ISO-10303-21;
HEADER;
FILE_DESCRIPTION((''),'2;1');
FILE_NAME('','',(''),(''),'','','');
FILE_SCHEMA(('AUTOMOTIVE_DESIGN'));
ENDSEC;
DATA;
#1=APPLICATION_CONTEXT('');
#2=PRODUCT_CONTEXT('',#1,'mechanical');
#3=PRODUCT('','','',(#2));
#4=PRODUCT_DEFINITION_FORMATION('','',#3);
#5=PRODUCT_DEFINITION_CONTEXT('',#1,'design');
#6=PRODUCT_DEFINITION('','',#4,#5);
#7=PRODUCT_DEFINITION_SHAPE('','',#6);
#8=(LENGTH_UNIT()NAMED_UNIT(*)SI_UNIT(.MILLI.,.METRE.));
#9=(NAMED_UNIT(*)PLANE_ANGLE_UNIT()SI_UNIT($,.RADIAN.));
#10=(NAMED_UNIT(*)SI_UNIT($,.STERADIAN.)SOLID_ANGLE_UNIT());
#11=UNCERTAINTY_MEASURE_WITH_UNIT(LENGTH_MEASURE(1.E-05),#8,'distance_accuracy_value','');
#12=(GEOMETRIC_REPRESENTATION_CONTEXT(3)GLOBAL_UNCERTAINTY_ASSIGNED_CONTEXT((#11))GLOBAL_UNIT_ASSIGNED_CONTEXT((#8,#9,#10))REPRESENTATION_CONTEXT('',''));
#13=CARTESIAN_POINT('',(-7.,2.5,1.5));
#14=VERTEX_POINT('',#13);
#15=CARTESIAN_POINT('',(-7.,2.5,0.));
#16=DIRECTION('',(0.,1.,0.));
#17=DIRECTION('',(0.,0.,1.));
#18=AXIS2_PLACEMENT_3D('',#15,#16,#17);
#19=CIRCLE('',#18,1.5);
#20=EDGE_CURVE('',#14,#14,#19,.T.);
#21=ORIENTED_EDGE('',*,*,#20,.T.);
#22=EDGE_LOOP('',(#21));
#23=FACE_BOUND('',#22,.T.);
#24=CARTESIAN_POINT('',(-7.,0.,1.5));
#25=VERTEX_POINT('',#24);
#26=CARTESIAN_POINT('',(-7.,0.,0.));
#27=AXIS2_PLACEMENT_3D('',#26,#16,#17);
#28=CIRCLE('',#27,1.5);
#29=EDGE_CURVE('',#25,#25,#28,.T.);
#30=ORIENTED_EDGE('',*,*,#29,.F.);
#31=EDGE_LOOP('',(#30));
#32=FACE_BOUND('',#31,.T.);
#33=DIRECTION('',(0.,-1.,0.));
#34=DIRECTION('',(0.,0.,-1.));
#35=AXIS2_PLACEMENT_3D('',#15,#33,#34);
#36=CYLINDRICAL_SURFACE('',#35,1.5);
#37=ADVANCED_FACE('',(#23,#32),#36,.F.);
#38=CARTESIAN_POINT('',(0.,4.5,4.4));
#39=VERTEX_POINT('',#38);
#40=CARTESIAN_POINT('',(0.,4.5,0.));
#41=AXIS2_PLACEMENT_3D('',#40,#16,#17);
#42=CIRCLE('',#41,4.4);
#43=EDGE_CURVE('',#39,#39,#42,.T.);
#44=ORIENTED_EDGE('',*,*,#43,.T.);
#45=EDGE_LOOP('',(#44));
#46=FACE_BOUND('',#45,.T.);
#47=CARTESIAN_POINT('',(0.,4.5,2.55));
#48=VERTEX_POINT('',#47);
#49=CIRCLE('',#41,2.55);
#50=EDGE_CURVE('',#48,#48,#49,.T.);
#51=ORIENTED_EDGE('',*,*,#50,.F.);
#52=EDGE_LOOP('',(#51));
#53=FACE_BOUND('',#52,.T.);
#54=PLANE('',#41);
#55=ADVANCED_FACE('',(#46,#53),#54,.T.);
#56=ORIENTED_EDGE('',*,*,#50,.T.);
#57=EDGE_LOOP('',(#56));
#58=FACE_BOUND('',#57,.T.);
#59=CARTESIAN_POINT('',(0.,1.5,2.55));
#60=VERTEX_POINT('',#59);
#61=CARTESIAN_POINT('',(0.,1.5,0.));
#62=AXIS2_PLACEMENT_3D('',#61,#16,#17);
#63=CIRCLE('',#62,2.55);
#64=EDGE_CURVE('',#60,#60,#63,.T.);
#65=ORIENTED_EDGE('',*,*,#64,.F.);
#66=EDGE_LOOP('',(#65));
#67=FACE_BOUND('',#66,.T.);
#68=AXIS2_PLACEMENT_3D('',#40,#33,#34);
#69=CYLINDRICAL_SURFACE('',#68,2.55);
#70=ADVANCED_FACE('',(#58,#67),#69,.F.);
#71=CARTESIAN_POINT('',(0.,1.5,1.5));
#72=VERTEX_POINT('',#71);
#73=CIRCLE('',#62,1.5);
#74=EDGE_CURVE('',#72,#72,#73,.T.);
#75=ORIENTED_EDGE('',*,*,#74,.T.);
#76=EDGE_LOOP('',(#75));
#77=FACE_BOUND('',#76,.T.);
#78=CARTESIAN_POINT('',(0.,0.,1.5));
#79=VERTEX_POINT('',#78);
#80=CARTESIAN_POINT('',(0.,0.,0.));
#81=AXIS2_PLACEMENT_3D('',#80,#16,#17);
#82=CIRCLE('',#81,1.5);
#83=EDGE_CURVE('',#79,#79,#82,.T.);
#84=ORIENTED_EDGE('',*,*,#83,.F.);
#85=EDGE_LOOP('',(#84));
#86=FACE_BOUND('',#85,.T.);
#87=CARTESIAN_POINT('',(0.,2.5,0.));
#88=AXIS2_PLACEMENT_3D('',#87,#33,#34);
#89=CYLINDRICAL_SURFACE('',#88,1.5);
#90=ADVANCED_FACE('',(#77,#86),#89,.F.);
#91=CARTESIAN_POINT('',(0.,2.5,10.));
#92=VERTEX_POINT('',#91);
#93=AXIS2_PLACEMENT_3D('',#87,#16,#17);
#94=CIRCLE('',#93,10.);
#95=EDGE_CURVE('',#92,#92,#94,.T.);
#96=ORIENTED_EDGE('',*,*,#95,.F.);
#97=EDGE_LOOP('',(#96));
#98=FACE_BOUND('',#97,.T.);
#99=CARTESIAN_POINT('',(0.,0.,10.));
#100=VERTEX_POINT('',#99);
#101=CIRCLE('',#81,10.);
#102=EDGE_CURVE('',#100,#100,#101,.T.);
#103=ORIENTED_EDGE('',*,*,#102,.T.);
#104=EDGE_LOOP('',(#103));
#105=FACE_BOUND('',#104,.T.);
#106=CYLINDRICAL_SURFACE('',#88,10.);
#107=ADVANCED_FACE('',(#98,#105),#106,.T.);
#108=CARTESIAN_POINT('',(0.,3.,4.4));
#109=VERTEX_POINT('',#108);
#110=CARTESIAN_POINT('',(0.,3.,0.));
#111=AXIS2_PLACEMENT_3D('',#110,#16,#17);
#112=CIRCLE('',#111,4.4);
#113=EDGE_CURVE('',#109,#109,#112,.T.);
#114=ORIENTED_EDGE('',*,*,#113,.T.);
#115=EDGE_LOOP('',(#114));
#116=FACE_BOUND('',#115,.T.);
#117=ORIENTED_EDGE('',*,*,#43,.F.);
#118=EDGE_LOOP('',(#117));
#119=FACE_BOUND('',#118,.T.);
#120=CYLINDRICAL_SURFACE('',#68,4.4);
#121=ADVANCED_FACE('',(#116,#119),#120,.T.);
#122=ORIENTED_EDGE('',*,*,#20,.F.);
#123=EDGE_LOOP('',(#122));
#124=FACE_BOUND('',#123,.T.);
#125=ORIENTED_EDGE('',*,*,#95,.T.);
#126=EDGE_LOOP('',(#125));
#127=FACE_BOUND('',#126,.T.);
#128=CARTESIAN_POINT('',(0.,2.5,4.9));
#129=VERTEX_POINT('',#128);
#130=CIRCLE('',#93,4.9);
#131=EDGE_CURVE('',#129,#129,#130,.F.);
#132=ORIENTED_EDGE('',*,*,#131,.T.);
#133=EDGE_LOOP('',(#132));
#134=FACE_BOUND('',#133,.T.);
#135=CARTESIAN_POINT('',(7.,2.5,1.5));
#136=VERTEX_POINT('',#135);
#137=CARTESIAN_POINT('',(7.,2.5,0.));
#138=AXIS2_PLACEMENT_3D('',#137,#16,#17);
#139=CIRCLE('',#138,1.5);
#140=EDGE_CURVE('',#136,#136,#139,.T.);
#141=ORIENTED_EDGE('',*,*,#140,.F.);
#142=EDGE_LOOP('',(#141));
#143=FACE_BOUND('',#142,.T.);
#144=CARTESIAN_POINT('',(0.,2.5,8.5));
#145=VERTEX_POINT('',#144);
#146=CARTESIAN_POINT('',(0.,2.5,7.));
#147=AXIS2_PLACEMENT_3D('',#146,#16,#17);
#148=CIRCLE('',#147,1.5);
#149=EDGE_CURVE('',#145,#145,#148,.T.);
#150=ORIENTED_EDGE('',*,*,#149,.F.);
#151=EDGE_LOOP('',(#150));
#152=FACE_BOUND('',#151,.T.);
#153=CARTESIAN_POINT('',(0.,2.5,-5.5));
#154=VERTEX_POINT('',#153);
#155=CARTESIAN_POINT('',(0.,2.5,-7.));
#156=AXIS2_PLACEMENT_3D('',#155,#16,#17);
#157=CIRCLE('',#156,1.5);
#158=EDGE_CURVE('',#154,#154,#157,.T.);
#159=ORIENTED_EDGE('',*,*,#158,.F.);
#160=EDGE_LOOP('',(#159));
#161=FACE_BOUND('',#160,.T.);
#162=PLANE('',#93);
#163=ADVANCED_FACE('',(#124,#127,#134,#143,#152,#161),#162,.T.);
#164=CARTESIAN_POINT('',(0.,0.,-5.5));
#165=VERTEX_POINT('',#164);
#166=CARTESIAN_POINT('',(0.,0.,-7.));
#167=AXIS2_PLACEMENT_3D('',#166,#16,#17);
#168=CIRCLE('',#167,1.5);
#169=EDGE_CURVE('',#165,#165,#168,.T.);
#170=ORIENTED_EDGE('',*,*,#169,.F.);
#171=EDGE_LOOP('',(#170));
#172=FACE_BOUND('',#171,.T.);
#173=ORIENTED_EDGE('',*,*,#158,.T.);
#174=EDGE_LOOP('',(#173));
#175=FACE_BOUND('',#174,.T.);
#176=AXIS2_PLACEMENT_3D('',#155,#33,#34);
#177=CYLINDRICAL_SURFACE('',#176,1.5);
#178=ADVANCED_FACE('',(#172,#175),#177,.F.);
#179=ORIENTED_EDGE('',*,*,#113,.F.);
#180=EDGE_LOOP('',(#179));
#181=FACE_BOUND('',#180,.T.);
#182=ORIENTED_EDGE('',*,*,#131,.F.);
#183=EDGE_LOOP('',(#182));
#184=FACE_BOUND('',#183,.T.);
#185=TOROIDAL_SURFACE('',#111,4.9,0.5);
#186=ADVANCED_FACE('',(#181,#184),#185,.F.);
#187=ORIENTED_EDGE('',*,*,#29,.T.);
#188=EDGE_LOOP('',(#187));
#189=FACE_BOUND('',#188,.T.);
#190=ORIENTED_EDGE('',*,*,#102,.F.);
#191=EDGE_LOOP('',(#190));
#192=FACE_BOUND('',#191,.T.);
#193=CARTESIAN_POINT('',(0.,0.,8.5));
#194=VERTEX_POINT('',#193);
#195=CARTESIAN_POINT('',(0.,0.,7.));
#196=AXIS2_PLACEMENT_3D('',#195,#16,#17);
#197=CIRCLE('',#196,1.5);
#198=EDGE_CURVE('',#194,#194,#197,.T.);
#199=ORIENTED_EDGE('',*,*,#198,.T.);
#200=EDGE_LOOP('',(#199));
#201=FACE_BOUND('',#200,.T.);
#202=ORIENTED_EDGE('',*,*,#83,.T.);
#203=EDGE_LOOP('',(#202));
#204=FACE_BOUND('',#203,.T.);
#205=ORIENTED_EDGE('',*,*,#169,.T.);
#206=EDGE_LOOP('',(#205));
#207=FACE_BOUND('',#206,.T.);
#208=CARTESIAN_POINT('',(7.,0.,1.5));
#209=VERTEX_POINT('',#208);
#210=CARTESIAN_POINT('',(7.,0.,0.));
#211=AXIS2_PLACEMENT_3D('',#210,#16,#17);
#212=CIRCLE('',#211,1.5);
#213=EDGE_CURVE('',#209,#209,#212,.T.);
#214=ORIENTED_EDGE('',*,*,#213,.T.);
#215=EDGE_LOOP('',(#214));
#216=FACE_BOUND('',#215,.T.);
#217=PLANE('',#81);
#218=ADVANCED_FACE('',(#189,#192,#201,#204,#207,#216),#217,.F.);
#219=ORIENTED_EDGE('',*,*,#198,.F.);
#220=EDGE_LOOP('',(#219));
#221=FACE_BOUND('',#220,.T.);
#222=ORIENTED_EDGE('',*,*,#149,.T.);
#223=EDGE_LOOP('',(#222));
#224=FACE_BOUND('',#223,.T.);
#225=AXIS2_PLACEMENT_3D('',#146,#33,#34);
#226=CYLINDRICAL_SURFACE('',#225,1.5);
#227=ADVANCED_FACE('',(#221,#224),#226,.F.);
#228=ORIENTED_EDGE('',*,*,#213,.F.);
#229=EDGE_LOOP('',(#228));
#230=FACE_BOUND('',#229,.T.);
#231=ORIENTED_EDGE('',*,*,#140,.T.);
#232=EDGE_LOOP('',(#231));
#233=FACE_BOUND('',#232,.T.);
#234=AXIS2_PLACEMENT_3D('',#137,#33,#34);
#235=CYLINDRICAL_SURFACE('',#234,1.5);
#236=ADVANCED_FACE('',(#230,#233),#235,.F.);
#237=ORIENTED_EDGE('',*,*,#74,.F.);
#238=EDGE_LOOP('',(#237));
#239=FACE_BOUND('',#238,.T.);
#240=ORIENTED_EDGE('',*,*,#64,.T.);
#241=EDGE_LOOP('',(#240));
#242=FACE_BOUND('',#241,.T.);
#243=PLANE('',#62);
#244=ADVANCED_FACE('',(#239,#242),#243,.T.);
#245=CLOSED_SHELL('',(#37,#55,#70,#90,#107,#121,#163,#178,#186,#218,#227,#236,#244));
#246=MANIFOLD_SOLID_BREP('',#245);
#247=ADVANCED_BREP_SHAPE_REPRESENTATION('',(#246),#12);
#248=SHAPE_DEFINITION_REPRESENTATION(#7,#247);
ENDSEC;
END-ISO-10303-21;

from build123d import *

# Parameters (mm, degrees)
SKETCH_1_R          = 10
SKETCH_1_R_2        = 1.5
EXTRUDE_1_DEPTH     = 2.5
SKETCH_2_R          = 4.4
SKETCH_2_R_2        = 2.55
EXTRUDE_2_DEPTH     = 2
FILLET_1_R          = 0.5
CUT_EXTRUDE_START   = -1
SKETCH_3_R          = 2.55
CUT_EXTRUDE_1_DEPTH = 1


with BuildPart() as part:
    # 草图1 → 凸台-拉伸1 (new body)
    with BuildSketch(Plane(origin=(0, 0, 0), x_dir=(1, 0, 0), z_dir=(0, 1, 0))):
        with Locations(Location((0, 0, 0), (0, 0, 270))):
            Circle(SKETCH_1_R)
        with Locations(Location((7, 0, 0), (0, 0, 270))):
            Circle(SKETCH_1_R_2, mode=Mode.SUBTRACT)
        with Locations(Location((0, 7, 0), (0, 0, 270))):
            Circle(SKETCH_1_R_2, mode=Mode.SUBTRACT)
        with Locations(Location((0, -7, 0), (0, 0, 270))):
            Circle(SKETCH_1_R_2, mode=Mode.SUBTRACT)
        with Locations(Location((-7, 0, 0), (0, 0, 270))):
            Circle(SKETCH_1_R_2, mode=Mode.SUBTRACT)
        with Locations(Location((0, 0, 0), (0, 0, 270))):
            Circle(SKETCH_1_R_2, mode=Mode.SUBTRACT)
    extrude(amount=EXTRUDE_1_DEPTH)

    # 草图2 → 凸台-拉伸2 (add)
    with BuildSketch(Plane(origin=(0, 2.5, 0), x_dir=(1, 0, 0), z_dir=(0, 1, 0))):
        with Locations(Location((0, 0, 0), (0, 0, 270))):
            Circle(SKETCH_2_R)
        with Locations(Location((0, 0, 0), (0, 0, 270))):
            Circle(SKETCH_2_R_2, mode=Mode.SUBTRACT)
    extrude(amount=EXTRUDE_2_DEPTH)

    # 圆角1
    fillet_1_edges = [part.edges().sort_by_distance(p)[0] for p in [
        (0, 2.5, -4.4),
    ]]
    fillet(fillet_1_edges, radius=FILLET_1_R)

    # 草图3 → 切除-拉伸1 (cut)
    with BuildSketch(Plane(origin=(0, 2.5, 0), x_dir=(1, 0, 0), z_dir=(0, 1, 0)).offset(CUT_EXTRUDE_START)):
        with Locations(Location((0, 0, 0), (0, 0, 270))):
            Circle(SKETCH_3_R)
    extrude(amount=CUT_EXTRUDE_1_DEPTH, mode=Mode.SUBTRACT)


solid = part.part
